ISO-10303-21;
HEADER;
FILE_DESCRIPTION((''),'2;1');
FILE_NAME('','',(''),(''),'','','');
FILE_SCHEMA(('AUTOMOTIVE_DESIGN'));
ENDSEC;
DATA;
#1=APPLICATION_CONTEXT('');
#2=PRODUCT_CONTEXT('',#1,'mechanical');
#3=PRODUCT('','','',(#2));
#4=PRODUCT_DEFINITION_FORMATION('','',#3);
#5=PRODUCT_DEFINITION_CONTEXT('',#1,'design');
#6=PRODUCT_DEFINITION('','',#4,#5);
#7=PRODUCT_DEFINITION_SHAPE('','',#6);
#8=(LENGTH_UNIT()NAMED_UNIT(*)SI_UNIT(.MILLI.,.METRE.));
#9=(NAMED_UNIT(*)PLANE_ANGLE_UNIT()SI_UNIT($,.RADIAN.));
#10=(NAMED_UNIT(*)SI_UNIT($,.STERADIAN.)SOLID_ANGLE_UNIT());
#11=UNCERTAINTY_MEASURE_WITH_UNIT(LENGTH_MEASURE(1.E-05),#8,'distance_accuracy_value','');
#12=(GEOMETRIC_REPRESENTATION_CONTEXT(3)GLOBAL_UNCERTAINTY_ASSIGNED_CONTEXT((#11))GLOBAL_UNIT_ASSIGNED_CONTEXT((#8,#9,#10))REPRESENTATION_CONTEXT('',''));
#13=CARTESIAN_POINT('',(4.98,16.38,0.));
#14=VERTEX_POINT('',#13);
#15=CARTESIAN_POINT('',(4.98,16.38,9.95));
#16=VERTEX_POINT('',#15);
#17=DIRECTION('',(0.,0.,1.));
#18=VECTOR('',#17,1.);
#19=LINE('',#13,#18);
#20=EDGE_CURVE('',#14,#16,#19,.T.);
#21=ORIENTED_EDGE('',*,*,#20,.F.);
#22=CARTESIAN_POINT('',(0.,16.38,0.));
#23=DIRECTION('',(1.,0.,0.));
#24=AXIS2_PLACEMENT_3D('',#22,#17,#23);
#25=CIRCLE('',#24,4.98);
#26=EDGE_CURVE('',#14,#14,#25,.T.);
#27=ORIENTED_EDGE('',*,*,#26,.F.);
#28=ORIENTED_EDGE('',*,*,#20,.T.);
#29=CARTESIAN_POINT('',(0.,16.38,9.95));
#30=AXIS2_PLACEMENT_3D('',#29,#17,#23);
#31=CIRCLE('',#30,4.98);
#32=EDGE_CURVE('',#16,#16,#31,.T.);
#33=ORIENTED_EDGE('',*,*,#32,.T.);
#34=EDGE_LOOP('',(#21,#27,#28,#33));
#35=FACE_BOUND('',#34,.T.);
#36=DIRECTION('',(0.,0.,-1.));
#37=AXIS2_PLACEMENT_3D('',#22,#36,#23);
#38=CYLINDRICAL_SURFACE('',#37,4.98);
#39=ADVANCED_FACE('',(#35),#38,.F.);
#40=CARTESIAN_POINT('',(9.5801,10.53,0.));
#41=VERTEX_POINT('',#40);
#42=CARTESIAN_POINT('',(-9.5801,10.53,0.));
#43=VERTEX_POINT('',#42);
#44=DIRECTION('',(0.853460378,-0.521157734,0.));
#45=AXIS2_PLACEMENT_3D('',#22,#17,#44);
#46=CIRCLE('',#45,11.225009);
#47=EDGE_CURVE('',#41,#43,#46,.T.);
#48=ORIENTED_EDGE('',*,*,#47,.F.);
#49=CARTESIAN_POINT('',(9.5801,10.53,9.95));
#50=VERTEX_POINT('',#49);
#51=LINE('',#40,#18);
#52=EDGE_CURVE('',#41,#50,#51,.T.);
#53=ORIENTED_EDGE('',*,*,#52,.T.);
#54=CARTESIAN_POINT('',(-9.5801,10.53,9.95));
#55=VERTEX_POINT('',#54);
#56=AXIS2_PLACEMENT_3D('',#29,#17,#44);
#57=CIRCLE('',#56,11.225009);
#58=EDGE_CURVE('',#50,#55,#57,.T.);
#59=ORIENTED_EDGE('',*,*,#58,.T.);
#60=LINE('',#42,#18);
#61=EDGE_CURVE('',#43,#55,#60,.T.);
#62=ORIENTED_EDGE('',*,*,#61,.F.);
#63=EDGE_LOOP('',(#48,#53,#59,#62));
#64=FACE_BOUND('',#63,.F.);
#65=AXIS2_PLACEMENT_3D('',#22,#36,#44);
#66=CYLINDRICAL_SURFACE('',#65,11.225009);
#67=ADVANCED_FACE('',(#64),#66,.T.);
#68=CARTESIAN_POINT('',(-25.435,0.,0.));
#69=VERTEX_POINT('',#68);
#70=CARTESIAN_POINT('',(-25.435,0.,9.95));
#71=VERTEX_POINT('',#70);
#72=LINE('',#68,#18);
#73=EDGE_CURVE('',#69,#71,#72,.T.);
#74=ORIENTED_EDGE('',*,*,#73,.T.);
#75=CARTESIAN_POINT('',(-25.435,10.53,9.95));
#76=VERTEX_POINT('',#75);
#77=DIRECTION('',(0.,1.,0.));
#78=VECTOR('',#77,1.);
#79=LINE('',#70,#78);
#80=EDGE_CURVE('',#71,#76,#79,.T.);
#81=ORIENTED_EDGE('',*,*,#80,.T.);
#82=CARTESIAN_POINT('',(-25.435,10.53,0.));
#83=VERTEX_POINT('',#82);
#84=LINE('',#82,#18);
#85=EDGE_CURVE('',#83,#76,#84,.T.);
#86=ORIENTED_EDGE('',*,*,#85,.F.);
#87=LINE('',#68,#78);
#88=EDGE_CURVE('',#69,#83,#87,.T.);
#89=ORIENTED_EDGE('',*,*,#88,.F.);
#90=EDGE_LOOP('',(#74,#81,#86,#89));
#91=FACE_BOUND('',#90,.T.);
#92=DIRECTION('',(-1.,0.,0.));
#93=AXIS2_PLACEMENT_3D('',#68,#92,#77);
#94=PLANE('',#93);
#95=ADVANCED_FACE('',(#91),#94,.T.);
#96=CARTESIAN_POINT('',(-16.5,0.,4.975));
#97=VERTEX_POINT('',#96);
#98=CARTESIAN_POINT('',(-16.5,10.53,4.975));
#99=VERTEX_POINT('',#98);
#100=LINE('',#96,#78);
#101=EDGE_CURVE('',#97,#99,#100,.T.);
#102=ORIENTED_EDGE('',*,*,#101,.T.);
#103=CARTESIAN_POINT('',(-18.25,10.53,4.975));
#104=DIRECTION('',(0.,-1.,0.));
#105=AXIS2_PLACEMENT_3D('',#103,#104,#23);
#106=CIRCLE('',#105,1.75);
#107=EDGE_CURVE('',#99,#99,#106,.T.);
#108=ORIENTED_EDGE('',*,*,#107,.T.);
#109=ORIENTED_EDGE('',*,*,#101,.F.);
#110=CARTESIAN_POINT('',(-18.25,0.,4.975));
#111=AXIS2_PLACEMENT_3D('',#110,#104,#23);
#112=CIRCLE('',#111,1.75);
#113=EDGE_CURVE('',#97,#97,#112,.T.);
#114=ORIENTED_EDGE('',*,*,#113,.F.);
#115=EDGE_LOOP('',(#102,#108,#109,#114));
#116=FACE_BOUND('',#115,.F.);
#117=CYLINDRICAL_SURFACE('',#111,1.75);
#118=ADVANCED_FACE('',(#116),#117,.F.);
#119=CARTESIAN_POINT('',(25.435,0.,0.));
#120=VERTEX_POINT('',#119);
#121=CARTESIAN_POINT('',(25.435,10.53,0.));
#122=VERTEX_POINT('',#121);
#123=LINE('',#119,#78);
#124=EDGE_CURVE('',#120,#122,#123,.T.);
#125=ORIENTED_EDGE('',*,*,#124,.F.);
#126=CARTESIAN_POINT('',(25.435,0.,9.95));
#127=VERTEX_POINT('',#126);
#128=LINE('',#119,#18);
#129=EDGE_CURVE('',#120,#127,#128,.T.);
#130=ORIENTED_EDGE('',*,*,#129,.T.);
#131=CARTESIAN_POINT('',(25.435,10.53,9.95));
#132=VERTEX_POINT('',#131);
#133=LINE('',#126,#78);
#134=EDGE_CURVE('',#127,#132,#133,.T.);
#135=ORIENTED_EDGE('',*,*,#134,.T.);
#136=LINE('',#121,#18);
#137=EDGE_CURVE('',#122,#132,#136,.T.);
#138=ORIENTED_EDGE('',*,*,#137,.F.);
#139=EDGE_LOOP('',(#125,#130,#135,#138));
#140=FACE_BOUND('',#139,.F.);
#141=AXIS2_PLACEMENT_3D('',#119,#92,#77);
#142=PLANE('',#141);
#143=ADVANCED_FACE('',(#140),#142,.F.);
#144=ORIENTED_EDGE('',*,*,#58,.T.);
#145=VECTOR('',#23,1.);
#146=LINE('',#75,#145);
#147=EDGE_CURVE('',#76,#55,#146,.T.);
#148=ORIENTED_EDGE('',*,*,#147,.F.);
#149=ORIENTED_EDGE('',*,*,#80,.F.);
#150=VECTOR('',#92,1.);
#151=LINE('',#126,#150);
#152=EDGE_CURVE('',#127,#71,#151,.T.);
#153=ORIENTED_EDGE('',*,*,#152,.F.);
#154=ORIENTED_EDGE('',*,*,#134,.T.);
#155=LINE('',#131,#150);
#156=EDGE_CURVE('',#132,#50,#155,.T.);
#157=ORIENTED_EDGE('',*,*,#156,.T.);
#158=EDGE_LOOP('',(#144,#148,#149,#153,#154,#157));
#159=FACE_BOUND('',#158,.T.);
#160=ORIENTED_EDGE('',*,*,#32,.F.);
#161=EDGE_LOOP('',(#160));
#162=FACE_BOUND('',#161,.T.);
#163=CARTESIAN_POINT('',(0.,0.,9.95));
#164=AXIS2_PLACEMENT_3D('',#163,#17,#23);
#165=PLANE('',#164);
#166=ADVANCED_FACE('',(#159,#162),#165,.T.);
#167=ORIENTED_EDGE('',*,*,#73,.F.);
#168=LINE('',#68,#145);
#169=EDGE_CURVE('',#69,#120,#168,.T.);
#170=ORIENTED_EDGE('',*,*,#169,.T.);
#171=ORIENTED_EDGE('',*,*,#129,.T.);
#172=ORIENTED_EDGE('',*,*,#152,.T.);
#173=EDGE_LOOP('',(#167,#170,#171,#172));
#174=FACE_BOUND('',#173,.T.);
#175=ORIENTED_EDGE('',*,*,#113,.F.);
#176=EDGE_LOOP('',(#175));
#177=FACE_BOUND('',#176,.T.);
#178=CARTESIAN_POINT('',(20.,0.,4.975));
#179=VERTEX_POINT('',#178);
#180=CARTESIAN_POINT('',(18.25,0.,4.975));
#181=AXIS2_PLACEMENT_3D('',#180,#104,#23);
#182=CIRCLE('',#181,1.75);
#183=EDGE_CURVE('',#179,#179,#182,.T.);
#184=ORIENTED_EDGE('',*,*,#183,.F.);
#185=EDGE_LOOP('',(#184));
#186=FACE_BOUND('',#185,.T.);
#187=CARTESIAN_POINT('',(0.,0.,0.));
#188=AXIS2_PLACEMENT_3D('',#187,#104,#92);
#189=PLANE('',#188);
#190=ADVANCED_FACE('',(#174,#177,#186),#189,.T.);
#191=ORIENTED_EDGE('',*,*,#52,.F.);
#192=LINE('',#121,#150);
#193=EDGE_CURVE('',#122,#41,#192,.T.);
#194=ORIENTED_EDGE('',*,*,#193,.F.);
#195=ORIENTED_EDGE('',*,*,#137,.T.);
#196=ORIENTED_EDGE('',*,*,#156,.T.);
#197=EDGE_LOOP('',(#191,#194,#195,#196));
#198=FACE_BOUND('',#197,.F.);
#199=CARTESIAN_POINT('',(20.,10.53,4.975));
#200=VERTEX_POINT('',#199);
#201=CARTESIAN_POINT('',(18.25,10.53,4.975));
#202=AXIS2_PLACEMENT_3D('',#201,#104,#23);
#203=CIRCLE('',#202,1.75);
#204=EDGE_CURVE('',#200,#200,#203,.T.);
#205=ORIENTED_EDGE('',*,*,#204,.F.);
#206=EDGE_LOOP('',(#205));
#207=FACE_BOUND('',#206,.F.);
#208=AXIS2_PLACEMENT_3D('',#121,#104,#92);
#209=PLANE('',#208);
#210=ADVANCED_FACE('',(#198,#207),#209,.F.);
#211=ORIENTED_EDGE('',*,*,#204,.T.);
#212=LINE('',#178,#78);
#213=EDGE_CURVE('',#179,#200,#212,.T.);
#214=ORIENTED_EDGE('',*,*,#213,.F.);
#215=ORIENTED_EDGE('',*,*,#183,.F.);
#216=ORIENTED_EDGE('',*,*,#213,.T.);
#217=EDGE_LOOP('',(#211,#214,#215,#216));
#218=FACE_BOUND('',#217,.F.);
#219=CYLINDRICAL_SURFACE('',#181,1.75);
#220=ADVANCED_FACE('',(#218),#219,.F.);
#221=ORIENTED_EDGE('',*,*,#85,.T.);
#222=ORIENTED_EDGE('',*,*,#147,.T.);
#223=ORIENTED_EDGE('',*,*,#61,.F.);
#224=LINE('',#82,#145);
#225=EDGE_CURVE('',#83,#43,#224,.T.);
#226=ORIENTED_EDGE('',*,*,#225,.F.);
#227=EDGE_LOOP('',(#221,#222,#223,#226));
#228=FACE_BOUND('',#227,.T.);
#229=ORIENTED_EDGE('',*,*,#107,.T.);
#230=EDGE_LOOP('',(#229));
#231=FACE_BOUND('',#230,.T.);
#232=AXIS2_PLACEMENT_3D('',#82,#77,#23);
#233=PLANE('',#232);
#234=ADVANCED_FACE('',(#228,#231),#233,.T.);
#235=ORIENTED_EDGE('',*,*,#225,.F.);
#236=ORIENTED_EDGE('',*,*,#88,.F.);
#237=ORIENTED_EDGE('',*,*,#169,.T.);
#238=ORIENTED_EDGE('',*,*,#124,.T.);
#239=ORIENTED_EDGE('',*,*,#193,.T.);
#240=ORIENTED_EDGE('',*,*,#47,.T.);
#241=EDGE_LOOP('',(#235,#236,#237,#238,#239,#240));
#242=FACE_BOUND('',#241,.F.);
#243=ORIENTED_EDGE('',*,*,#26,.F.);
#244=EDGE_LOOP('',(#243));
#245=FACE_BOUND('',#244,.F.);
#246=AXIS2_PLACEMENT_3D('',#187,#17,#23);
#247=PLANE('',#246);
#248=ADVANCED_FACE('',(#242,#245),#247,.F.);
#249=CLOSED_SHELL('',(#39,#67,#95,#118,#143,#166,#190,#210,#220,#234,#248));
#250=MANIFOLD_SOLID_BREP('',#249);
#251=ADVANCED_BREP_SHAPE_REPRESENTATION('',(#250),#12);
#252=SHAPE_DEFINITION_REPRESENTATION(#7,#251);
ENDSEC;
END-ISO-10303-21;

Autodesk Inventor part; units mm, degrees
ref_plane "YZ Plane" through (0, 0, 0) normal (1, 0, 0) x (0, 1, 0)
ref_plane "XZ Plane" through (0, 0, 0) normal (0, 1, 0) x (-1, 0, 0)
ref_plane "XY Plane" through (0, 0, 0) normal (0, 0, 1) x (1, 0, 0)
sketch "Boceto1" plane through (0, 0, 0) normal (0, 0, 1) x (1, 0, 0)
  line L0 (0, 0) -> (-25.435, 0)
  line L1 (-25.435, 0) -> (-25.435, 10.53)
  line L2 (0, 0) -> (0, 11.4) construction
  arc A0 (9.5801, 10.53) -> (-9.5801, 10.53) centre (0, 16.38) ccw
  circle A1 centre (0, 16.38) radius 4.98
  line L3 (-25.435, 10.53) -> (-9.5801, 10.53)
  line L4 (0, 0) -> (25.435, 0)
  line L5 (25.435, 0) -> (25.435, 10.53)
  line L6 (25.435, 10.53) -> (9.5801, 10.53)
  dimension "d4" = 9.96
  dimension "d0" = 25.435
  dimension "d1" = 10.53
  dimension "d2" = 11.4
  dimension "d3" = 22.45
extrude "Extrusión1" add sketch "Boceto1" along normal blind 9.95
sketch "Boceto2" plane through (-25.435, 0, 0) normal (0, -1, 0) x (1, 0, 0)
  line L0 (25.435, 0) -> (25.435, 9.95) construction
  line L1 (36.66, 9.95) -> (14.21, 9.95) projected
  line L2 (25.435, 4.975) -> (41.935, 4.975) construction
  line L3 (41.935, 4.975) -> (43.685, 4.975) construction
  circle A0 centre (43.685, 4.975) radius 1.75
  circle A1 centre (7.185, 4.975) radius 1.75
  point P0 (35.0151, 9.95)
  point P1 (15.8549, 9.95)
  dimension "d7" = 16.5
  dimension "d8" = 1.75
extrude "Extrusión2" cut sketch "Boceto2" against normal up to surface (10.53 mm away)
properties part number "003" material "Steel"
